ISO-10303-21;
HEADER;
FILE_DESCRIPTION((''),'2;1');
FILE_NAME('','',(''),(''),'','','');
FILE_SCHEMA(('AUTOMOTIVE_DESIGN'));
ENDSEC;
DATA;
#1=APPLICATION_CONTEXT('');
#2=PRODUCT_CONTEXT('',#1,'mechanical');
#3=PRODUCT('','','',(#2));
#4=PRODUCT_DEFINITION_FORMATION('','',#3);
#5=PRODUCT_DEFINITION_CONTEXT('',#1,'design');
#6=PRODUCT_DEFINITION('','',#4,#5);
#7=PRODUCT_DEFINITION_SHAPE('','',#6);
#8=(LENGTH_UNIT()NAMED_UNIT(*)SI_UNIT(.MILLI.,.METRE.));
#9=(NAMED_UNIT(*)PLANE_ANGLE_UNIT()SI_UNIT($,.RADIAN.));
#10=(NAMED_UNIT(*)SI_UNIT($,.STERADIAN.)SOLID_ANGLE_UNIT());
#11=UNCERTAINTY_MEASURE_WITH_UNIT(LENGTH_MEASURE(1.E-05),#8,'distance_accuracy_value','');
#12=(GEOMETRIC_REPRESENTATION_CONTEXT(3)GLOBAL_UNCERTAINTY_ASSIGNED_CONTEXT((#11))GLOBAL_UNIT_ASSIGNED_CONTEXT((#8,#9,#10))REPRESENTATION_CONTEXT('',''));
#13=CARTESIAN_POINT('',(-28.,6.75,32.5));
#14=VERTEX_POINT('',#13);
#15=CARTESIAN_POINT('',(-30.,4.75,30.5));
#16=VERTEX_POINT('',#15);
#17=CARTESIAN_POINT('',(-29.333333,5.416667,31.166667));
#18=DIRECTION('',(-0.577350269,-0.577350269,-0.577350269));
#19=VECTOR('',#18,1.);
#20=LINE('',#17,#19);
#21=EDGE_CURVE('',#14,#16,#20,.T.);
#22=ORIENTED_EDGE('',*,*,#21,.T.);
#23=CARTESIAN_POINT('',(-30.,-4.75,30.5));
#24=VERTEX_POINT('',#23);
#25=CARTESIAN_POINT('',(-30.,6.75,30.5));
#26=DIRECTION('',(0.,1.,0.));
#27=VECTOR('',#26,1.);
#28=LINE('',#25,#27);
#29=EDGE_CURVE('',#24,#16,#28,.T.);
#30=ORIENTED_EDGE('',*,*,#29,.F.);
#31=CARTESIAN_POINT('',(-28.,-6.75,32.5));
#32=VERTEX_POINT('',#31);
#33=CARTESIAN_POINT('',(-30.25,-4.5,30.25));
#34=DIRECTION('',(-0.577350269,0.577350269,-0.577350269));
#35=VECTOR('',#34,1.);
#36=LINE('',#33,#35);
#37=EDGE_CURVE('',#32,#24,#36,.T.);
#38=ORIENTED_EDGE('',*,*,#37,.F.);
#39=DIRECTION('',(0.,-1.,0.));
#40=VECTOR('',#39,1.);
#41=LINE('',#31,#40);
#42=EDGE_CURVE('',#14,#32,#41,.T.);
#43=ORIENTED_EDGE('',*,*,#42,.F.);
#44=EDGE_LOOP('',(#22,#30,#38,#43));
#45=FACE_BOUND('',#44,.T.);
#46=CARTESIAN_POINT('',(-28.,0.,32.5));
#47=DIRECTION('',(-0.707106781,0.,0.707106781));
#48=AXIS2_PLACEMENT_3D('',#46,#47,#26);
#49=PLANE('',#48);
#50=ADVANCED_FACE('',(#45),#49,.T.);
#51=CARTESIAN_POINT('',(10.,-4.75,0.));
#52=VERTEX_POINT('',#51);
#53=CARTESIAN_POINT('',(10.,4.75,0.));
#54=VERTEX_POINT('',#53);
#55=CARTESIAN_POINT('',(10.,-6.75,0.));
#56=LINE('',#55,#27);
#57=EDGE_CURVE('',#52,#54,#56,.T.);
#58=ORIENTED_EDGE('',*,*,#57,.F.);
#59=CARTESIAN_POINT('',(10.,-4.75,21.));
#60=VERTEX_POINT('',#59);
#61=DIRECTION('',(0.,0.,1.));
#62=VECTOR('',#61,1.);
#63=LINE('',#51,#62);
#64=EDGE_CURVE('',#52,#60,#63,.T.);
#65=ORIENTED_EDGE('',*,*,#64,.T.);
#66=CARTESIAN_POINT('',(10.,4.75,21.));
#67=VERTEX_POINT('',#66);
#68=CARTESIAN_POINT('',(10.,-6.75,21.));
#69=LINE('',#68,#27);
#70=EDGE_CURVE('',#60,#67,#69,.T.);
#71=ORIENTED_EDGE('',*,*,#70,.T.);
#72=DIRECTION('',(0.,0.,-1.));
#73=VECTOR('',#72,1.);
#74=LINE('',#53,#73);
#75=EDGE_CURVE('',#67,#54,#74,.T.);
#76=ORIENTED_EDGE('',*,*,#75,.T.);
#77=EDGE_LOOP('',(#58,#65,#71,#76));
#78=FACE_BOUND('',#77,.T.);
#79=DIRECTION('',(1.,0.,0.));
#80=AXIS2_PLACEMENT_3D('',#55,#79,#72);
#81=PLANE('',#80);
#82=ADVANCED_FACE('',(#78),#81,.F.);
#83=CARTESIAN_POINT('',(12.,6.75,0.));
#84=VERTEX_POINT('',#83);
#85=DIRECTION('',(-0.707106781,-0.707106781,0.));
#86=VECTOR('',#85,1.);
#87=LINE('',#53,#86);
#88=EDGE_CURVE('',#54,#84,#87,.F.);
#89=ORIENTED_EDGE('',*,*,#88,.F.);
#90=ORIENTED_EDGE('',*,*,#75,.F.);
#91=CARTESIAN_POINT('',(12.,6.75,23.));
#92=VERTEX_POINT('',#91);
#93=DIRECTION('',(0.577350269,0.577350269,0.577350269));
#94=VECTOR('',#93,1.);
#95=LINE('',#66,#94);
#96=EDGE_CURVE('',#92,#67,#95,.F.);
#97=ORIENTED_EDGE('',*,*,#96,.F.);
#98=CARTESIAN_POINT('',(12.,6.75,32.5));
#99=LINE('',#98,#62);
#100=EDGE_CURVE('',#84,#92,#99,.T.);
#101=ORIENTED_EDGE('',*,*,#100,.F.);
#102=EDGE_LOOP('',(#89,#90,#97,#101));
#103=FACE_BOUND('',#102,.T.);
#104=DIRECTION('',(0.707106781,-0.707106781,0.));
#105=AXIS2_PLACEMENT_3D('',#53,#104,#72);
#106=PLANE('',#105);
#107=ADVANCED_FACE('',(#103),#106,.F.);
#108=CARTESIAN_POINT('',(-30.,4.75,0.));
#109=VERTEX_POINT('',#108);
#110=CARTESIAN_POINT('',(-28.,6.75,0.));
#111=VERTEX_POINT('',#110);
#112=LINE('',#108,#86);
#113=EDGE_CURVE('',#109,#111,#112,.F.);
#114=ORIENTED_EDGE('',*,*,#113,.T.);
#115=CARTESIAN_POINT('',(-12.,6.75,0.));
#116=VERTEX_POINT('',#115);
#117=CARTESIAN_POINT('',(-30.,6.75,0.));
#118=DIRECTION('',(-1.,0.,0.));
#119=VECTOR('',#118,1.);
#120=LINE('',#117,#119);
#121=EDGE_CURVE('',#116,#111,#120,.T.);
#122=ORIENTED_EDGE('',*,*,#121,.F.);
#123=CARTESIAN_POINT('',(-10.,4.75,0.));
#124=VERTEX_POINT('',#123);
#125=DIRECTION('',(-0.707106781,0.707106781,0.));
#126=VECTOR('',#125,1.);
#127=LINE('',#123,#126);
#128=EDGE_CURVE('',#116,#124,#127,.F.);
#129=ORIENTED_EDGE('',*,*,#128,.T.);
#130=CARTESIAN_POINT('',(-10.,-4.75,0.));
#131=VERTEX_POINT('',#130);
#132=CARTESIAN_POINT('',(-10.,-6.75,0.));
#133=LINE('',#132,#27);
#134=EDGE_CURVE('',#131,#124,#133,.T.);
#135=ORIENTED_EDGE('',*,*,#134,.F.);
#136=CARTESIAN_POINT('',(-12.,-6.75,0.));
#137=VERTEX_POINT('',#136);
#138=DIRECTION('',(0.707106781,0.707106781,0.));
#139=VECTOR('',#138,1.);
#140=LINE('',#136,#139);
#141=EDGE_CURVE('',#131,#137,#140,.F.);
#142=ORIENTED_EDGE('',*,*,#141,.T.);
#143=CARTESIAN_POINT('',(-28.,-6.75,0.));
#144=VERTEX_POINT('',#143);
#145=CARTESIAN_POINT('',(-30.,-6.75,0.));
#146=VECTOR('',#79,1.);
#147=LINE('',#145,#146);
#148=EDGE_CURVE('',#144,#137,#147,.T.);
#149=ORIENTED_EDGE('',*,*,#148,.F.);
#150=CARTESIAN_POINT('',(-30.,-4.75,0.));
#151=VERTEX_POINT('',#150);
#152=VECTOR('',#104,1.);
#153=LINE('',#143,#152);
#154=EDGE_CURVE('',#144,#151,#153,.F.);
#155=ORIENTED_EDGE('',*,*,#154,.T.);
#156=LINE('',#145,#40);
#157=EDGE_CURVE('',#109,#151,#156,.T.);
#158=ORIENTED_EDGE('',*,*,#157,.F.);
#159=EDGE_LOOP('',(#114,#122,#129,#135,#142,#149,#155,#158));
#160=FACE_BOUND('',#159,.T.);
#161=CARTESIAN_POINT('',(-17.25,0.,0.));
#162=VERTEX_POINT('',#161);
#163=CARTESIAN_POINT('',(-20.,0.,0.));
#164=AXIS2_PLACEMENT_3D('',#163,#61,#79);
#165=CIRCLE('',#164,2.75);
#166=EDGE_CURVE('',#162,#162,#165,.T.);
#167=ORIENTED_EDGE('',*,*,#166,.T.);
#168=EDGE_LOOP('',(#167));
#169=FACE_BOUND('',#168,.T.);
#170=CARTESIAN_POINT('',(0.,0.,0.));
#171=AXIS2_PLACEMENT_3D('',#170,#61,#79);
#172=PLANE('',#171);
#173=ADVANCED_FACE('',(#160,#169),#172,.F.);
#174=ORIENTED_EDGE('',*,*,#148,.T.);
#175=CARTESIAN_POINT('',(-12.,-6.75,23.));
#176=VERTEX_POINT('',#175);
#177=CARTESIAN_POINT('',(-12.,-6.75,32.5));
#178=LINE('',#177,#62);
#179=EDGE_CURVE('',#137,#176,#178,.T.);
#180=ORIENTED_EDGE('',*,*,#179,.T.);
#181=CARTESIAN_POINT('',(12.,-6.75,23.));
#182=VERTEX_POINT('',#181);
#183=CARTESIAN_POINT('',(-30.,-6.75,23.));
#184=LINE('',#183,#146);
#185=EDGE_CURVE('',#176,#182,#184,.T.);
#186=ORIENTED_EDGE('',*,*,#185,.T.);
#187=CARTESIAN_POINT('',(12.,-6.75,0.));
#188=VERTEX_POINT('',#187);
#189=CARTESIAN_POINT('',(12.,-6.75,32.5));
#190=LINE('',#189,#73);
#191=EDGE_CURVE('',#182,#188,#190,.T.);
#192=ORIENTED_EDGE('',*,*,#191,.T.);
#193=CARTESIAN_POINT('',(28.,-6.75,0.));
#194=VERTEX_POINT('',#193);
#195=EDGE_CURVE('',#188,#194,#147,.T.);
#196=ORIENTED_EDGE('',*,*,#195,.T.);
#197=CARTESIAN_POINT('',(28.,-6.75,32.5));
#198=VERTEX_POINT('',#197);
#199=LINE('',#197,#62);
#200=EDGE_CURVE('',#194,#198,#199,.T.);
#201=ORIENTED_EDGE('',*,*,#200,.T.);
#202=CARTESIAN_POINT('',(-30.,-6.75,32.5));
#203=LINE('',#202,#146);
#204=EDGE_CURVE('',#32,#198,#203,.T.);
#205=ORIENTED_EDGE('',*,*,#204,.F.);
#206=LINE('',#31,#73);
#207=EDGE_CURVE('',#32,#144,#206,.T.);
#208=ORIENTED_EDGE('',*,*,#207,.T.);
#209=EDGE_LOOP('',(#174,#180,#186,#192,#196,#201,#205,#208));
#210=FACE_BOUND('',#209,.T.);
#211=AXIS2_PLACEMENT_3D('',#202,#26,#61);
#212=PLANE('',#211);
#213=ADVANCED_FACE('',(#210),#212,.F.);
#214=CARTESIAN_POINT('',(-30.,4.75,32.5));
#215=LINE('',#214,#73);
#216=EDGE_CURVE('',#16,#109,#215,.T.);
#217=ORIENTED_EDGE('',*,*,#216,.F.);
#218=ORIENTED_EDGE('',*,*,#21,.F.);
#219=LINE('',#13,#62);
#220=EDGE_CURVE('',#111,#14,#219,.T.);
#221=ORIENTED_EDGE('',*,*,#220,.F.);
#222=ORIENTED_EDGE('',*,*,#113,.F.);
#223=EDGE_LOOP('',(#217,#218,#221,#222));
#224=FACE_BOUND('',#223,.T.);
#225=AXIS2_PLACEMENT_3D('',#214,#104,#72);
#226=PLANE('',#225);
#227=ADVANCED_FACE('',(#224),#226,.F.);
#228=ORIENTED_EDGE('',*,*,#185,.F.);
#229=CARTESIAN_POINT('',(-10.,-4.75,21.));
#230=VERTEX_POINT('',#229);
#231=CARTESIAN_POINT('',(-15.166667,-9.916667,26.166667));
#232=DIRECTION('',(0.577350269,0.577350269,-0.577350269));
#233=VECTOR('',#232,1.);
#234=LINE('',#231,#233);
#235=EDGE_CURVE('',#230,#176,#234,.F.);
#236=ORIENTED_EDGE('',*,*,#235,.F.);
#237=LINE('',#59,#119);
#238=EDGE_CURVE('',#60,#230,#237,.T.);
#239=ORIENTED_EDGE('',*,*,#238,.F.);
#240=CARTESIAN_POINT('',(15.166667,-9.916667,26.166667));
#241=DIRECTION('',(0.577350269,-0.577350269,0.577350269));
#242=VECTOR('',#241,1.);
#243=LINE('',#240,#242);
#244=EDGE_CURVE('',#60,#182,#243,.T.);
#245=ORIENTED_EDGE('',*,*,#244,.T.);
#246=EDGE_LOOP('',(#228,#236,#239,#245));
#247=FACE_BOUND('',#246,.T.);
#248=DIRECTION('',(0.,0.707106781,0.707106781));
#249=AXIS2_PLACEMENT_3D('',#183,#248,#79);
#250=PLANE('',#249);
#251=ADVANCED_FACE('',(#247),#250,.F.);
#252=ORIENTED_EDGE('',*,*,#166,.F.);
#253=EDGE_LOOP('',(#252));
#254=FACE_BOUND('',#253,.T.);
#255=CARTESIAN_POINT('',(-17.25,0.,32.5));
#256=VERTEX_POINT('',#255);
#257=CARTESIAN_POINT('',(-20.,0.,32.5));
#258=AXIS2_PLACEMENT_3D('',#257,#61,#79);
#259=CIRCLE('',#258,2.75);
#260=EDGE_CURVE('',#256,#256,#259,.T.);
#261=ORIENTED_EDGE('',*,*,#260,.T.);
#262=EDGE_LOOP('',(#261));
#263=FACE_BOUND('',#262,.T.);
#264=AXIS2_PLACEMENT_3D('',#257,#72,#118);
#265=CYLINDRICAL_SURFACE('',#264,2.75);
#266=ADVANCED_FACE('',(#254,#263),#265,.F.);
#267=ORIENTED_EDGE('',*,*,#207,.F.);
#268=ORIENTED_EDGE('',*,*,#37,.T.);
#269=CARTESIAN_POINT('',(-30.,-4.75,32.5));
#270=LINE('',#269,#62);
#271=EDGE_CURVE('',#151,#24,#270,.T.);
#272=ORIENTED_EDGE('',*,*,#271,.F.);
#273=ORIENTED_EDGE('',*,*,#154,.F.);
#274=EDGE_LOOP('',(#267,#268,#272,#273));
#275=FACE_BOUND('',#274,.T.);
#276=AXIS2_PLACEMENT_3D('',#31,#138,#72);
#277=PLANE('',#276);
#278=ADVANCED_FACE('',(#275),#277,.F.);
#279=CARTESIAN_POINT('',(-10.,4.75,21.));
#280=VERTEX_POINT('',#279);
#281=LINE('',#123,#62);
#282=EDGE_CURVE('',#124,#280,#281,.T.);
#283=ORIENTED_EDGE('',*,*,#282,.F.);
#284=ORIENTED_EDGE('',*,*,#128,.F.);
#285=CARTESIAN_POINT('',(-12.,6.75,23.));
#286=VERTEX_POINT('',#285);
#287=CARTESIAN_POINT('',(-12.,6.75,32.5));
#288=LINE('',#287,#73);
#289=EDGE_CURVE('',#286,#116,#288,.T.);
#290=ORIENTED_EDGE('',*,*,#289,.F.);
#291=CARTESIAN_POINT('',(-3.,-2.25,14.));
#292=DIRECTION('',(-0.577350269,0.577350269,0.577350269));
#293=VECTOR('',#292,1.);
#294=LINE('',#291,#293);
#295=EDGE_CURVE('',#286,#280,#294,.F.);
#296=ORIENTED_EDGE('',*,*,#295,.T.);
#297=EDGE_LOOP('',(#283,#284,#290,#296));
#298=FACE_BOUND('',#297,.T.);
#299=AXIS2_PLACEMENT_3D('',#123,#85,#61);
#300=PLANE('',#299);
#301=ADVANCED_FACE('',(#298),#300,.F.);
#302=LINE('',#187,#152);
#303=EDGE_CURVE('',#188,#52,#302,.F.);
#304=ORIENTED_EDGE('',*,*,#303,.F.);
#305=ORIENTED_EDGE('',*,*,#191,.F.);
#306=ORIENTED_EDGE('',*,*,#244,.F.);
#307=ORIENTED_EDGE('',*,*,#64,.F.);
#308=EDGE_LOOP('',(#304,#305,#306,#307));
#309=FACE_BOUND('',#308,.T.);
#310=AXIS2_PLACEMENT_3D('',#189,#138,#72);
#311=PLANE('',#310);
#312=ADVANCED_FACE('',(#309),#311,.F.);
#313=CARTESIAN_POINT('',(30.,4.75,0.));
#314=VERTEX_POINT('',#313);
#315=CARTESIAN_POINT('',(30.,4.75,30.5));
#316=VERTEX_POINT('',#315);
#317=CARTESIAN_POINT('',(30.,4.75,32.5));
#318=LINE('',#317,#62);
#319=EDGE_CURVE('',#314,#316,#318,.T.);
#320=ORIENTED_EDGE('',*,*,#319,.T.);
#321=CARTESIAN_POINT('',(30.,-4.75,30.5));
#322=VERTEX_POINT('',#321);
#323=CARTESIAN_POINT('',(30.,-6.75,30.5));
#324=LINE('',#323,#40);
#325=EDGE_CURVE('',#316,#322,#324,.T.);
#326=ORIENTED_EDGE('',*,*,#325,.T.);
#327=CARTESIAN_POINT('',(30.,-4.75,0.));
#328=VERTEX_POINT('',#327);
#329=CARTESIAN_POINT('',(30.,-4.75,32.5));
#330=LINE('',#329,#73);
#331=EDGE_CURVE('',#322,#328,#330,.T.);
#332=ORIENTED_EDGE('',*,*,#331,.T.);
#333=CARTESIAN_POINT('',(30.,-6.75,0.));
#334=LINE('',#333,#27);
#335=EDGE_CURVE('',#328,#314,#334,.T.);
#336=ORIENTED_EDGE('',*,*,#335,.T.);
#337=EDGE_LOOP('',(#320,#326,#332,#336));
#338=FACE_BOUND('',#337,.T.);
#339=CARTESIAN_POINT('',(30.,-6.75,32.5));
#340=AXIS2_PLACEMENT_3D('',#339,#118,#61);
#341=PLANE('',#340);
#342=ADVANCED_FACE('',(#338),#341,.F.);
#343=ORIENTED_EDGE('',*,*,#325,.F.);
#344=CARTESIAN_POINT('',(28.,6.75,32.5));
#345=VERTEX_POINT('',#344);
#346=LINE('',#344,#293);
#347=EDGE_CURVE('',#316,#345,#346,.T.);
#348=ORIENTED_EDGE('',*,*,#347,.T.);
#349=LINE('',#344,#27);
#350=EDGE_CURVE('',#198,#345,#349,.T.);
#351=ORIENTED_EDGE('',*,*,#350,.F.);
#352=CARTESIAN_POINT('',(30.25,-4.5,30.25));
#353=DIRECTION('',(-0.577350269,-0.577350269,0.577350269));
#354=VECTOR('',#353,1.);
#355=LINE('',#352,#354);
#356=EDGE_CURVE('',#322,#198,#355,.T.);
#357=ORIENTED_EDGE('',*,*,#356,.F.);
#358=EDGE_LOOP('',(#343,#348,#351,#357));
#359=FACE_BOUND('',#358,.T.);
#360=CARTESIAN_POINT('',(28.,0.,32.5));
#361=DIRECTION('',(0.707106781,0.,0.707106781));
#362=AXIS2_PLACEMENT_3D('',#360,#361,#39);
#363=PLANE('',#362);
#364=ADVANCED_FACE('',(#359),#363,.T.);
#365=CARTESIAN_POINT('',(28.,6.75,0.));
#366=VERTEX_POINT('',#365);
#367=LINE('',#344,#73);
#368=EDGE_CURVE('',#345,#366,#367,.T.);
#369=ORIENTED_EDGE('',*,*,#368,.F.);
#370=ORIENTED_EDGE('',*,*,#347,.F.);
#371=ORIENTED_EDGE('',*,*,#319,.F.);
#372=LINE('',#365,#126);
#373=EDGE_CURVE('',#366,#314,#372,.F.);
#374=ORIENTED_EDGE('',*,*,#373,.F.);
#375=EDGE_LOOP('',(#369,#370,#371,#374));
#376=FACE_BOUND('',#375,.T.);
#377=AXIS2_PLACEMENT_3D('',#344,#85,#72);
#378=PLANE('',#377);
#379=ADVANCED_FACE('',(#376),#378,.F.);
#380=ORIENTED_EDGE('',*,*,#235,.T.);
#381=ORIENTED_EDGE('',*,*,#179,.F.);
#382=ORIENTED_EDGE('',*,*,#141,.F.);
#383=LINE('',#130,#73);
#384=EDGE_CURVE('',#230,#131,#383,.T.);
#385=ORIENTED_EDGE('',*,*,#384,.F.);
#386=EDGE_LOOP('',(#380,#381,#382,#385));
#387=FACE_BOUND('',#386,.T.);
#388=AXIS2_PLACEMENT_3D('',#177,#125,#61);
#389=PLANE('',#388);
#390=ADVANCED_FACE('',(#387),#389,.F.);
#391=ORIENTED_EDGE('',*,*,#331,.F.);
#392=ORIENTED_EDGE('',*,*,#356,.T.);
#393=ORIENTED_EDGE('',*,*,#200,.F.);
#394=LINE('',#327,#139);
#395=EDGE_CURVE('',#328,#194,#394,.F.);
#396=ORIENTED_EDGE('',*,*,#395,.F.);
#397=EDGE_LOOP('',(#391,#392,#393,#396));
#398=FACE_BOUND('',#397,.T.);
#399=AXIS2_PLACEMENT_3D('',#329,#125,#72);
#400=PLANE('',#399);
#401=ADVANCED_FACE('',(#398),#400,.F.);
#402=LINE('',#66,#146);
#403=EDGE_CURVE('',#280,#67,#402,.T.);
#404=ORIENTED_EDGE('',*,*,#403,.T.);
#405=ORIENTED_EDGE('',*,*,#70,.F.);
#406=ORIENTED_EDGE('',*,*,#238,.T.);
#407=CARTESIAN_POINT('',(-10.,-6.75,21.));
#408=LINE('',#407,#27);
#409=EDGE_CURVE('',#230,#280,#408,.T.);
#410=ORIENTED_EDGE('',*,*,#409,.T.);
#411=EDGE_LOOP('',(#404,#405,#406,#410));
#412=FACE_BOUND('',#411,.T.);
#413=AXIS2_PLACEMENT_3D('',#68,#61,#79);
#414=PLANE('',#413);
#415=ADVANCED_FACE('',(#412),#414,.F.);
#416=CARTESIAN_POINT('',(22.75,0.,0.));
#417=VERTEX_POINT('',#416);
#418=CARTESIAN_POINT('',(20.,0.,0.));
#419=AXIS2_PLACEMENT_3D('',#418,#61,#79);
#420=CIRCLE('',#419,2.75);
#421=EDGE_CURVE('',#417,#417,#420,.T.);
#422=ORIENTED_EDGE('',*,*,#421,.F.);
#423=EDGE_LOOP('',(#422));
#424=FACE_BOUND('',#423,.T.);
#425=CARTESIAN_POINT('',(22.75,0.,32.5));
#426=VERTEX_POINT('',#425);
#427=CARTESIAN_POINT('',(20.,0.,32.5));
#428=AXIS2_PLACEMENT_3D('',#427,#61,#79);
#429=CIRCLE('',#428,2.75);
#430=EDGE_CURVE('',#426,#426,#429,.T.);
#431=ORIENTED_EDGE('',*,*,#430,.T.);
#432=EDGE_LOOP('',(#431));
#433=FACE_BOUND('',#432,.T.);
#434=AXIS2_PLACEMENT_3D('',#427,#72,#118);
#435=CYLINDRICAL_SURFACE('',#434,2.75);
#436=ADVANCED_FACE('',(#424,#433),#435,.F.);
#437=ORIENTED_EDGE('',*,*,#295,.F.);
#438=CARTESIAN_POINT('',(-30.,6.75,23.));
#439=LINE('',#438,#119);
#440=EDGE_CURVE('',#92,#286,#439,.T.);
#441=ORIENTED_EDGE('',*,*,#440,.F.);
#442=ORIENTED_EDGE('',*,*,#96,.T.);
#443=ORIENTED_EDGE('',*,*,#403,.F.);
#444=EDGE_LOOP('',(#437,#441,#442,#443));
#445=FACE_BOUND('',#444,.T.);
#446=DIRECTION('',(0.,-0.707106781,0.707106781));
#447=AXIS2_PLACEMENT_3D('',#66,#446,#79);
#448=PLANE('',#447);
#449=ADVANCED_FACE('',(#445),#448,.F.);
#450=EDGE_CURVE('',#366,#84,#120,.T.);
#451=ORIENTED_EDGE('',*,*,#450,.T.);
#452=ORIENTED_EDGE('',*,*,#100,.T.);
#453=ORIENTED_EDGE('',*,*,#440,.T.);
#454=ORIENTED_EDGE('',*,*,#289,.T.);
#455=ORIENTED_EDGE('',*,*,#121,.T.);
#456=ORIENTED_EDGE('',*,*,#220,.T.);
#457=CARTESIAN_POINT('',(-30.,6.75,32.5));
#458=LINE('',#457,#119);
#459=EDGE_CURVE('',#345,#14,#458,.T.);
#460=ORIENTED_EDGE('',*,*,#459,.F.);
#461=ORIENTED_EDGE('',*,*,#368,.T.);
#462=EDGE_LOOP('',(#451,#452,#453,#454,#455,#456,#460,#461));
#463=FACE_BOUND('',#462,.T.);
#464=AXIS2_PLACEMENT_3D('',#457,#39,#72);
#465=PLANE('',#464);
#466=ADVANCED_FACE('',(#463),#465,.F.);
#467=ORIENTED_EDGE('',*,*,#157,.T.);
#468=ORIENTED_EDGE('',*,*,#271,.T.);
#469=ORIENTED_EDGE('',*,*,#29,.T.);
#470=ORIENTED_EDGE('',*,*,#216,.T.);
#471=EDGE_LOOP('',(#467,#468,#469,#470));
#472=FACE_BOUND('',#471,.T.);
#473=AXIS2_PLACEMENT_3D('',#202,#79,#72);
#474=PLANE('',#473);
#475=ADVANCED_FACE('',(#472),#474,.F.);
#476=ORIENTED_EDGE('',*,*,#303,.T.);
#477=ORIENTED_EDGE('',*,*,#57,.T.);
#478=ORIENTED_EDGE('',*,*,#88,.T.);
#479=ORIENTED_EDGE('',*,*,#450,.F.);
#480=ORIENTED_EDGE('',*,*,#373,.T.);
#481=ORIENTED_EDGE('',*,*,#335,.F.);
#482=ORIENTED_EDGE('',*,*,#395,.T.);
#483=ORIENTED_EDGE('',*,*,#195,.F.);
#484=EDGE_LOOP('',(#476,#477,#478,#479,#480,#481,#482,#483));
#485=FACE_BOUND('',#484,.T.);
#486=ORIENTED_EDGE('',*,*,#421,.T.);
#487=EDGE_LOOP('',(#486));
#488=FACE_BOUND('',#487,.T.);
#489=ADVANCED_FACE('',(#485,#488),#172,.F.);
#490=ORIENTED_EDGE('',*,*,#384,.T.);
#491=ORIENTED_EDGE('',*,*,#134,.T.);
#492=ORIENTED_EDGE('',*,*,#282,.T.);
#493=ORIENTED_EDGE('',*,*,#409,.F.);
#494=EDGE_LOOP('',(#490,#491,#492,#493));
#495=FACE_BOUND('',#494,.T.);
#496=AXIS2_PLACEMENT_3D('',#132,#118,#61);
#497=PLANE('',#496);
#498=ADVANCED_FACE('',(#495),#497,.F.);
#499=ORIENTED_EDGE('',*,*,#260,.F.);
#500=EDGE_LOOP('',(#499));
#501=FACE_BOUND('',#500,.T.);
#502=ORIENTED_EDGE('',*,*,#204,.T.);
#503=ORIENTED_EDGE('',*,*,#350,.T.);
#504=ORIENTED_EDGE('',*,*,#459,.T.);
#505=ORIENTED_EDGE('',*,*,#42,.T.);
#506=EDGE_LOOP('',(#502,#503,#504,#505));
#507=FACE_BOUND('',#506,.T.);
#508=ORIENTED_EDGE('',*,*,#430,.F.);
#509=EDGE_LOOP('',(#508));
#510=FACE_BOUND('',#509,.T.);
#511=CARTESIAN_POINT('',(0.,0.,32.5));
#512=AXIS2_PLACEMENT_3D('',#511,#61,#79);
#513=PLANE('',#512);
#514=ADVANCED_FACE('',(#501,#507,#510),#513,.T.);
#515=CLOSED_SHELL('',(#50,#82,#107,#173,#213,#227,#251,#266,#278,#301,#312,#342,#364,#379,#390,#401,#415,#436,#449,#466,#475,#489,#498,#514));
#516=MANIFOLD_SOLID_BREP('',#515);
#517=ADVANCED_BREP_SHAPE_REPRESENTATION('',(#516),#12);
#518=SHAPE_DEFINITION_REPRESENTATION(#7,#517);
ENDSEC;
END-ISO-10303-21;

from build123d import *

# Parameters (mm, degrees)
SKETCH1_W           = 13.5
SKETCH1_H           = 60
SKETCH1_R           = 2.75
BOSS_EXTRUDE1_DEPTH = 32.5
SKETCH2_W           = 20
SKETCH2_H           = 21
CUT_EXTRUDE1_DEPTH  = 14.5
CHAMFER1_SIZE       = 2
CHAMFER2_SIZE       = 2


with BuildPart() as part:
    # Sketch1 → Boss-Extrude1 (new body)
    with BuildSketch(Plane(origin=(0, 0, 0), x_dir=(0, 1, 0), z_dir=(0, 0, 1))):
        Rectangle(SKETCH1_W, SKETCH1_H)
        with Locations((0, 20)):
            Circle(SKETCH1_R, mode=Mode.SUBTRACT)
        with Locations((0, -20)):
            Circle(SKETCH1_R, mode=Mode.SUBTRACT)
    extrude(amount=BOSS_EXTRUDE1_DEPTH)

    # Sketch2 → Cut-Extrude1 (cut, through all)
    with BuildSketch(Plane(origin=(0, 6.75, 0), x_dir=(-1, 0, 0), z_dir=(0, 1, 0))):
        with Locations((0, 10.5)):
            Rectangle(SKETCH2_W, SKETCH2_H)
    extrude(amount=-CUT_EXTRUDE1_DEPTH, mode=Mode.SUBTRACT)

    # Chamfer1
    chamfer1_edges = [part.edges().sort_by_distance(p)[0] for p in [
        (30, 0, 32.5),
        (30, 6.75, 16.25),
        (30, -6.75, 16.25),
        (-30, -6.75, 16.25),
        (-30, 6.75, 16.25),
        (-30, 0, 32.5),
    ]]
    chamfer(chamfer1_edges, length=CHAMFER1_SIZE)

    # Chamfer2
    chamfer2_edges = [part.edges().sort_by_distance(p)[0] for p in [
        (10, -6.75, 10.5),
        (0, -6.75, 21),
        (-10, -6.75, 10.5),
        (10, 6.75, 10.5),
        (-10, 6.75, 10.5),
        (0, 6.75, 21),
    ]]
    chamfer(chamfer2_edges, length=CHAMFER2_SIZE)


solid = part.part
